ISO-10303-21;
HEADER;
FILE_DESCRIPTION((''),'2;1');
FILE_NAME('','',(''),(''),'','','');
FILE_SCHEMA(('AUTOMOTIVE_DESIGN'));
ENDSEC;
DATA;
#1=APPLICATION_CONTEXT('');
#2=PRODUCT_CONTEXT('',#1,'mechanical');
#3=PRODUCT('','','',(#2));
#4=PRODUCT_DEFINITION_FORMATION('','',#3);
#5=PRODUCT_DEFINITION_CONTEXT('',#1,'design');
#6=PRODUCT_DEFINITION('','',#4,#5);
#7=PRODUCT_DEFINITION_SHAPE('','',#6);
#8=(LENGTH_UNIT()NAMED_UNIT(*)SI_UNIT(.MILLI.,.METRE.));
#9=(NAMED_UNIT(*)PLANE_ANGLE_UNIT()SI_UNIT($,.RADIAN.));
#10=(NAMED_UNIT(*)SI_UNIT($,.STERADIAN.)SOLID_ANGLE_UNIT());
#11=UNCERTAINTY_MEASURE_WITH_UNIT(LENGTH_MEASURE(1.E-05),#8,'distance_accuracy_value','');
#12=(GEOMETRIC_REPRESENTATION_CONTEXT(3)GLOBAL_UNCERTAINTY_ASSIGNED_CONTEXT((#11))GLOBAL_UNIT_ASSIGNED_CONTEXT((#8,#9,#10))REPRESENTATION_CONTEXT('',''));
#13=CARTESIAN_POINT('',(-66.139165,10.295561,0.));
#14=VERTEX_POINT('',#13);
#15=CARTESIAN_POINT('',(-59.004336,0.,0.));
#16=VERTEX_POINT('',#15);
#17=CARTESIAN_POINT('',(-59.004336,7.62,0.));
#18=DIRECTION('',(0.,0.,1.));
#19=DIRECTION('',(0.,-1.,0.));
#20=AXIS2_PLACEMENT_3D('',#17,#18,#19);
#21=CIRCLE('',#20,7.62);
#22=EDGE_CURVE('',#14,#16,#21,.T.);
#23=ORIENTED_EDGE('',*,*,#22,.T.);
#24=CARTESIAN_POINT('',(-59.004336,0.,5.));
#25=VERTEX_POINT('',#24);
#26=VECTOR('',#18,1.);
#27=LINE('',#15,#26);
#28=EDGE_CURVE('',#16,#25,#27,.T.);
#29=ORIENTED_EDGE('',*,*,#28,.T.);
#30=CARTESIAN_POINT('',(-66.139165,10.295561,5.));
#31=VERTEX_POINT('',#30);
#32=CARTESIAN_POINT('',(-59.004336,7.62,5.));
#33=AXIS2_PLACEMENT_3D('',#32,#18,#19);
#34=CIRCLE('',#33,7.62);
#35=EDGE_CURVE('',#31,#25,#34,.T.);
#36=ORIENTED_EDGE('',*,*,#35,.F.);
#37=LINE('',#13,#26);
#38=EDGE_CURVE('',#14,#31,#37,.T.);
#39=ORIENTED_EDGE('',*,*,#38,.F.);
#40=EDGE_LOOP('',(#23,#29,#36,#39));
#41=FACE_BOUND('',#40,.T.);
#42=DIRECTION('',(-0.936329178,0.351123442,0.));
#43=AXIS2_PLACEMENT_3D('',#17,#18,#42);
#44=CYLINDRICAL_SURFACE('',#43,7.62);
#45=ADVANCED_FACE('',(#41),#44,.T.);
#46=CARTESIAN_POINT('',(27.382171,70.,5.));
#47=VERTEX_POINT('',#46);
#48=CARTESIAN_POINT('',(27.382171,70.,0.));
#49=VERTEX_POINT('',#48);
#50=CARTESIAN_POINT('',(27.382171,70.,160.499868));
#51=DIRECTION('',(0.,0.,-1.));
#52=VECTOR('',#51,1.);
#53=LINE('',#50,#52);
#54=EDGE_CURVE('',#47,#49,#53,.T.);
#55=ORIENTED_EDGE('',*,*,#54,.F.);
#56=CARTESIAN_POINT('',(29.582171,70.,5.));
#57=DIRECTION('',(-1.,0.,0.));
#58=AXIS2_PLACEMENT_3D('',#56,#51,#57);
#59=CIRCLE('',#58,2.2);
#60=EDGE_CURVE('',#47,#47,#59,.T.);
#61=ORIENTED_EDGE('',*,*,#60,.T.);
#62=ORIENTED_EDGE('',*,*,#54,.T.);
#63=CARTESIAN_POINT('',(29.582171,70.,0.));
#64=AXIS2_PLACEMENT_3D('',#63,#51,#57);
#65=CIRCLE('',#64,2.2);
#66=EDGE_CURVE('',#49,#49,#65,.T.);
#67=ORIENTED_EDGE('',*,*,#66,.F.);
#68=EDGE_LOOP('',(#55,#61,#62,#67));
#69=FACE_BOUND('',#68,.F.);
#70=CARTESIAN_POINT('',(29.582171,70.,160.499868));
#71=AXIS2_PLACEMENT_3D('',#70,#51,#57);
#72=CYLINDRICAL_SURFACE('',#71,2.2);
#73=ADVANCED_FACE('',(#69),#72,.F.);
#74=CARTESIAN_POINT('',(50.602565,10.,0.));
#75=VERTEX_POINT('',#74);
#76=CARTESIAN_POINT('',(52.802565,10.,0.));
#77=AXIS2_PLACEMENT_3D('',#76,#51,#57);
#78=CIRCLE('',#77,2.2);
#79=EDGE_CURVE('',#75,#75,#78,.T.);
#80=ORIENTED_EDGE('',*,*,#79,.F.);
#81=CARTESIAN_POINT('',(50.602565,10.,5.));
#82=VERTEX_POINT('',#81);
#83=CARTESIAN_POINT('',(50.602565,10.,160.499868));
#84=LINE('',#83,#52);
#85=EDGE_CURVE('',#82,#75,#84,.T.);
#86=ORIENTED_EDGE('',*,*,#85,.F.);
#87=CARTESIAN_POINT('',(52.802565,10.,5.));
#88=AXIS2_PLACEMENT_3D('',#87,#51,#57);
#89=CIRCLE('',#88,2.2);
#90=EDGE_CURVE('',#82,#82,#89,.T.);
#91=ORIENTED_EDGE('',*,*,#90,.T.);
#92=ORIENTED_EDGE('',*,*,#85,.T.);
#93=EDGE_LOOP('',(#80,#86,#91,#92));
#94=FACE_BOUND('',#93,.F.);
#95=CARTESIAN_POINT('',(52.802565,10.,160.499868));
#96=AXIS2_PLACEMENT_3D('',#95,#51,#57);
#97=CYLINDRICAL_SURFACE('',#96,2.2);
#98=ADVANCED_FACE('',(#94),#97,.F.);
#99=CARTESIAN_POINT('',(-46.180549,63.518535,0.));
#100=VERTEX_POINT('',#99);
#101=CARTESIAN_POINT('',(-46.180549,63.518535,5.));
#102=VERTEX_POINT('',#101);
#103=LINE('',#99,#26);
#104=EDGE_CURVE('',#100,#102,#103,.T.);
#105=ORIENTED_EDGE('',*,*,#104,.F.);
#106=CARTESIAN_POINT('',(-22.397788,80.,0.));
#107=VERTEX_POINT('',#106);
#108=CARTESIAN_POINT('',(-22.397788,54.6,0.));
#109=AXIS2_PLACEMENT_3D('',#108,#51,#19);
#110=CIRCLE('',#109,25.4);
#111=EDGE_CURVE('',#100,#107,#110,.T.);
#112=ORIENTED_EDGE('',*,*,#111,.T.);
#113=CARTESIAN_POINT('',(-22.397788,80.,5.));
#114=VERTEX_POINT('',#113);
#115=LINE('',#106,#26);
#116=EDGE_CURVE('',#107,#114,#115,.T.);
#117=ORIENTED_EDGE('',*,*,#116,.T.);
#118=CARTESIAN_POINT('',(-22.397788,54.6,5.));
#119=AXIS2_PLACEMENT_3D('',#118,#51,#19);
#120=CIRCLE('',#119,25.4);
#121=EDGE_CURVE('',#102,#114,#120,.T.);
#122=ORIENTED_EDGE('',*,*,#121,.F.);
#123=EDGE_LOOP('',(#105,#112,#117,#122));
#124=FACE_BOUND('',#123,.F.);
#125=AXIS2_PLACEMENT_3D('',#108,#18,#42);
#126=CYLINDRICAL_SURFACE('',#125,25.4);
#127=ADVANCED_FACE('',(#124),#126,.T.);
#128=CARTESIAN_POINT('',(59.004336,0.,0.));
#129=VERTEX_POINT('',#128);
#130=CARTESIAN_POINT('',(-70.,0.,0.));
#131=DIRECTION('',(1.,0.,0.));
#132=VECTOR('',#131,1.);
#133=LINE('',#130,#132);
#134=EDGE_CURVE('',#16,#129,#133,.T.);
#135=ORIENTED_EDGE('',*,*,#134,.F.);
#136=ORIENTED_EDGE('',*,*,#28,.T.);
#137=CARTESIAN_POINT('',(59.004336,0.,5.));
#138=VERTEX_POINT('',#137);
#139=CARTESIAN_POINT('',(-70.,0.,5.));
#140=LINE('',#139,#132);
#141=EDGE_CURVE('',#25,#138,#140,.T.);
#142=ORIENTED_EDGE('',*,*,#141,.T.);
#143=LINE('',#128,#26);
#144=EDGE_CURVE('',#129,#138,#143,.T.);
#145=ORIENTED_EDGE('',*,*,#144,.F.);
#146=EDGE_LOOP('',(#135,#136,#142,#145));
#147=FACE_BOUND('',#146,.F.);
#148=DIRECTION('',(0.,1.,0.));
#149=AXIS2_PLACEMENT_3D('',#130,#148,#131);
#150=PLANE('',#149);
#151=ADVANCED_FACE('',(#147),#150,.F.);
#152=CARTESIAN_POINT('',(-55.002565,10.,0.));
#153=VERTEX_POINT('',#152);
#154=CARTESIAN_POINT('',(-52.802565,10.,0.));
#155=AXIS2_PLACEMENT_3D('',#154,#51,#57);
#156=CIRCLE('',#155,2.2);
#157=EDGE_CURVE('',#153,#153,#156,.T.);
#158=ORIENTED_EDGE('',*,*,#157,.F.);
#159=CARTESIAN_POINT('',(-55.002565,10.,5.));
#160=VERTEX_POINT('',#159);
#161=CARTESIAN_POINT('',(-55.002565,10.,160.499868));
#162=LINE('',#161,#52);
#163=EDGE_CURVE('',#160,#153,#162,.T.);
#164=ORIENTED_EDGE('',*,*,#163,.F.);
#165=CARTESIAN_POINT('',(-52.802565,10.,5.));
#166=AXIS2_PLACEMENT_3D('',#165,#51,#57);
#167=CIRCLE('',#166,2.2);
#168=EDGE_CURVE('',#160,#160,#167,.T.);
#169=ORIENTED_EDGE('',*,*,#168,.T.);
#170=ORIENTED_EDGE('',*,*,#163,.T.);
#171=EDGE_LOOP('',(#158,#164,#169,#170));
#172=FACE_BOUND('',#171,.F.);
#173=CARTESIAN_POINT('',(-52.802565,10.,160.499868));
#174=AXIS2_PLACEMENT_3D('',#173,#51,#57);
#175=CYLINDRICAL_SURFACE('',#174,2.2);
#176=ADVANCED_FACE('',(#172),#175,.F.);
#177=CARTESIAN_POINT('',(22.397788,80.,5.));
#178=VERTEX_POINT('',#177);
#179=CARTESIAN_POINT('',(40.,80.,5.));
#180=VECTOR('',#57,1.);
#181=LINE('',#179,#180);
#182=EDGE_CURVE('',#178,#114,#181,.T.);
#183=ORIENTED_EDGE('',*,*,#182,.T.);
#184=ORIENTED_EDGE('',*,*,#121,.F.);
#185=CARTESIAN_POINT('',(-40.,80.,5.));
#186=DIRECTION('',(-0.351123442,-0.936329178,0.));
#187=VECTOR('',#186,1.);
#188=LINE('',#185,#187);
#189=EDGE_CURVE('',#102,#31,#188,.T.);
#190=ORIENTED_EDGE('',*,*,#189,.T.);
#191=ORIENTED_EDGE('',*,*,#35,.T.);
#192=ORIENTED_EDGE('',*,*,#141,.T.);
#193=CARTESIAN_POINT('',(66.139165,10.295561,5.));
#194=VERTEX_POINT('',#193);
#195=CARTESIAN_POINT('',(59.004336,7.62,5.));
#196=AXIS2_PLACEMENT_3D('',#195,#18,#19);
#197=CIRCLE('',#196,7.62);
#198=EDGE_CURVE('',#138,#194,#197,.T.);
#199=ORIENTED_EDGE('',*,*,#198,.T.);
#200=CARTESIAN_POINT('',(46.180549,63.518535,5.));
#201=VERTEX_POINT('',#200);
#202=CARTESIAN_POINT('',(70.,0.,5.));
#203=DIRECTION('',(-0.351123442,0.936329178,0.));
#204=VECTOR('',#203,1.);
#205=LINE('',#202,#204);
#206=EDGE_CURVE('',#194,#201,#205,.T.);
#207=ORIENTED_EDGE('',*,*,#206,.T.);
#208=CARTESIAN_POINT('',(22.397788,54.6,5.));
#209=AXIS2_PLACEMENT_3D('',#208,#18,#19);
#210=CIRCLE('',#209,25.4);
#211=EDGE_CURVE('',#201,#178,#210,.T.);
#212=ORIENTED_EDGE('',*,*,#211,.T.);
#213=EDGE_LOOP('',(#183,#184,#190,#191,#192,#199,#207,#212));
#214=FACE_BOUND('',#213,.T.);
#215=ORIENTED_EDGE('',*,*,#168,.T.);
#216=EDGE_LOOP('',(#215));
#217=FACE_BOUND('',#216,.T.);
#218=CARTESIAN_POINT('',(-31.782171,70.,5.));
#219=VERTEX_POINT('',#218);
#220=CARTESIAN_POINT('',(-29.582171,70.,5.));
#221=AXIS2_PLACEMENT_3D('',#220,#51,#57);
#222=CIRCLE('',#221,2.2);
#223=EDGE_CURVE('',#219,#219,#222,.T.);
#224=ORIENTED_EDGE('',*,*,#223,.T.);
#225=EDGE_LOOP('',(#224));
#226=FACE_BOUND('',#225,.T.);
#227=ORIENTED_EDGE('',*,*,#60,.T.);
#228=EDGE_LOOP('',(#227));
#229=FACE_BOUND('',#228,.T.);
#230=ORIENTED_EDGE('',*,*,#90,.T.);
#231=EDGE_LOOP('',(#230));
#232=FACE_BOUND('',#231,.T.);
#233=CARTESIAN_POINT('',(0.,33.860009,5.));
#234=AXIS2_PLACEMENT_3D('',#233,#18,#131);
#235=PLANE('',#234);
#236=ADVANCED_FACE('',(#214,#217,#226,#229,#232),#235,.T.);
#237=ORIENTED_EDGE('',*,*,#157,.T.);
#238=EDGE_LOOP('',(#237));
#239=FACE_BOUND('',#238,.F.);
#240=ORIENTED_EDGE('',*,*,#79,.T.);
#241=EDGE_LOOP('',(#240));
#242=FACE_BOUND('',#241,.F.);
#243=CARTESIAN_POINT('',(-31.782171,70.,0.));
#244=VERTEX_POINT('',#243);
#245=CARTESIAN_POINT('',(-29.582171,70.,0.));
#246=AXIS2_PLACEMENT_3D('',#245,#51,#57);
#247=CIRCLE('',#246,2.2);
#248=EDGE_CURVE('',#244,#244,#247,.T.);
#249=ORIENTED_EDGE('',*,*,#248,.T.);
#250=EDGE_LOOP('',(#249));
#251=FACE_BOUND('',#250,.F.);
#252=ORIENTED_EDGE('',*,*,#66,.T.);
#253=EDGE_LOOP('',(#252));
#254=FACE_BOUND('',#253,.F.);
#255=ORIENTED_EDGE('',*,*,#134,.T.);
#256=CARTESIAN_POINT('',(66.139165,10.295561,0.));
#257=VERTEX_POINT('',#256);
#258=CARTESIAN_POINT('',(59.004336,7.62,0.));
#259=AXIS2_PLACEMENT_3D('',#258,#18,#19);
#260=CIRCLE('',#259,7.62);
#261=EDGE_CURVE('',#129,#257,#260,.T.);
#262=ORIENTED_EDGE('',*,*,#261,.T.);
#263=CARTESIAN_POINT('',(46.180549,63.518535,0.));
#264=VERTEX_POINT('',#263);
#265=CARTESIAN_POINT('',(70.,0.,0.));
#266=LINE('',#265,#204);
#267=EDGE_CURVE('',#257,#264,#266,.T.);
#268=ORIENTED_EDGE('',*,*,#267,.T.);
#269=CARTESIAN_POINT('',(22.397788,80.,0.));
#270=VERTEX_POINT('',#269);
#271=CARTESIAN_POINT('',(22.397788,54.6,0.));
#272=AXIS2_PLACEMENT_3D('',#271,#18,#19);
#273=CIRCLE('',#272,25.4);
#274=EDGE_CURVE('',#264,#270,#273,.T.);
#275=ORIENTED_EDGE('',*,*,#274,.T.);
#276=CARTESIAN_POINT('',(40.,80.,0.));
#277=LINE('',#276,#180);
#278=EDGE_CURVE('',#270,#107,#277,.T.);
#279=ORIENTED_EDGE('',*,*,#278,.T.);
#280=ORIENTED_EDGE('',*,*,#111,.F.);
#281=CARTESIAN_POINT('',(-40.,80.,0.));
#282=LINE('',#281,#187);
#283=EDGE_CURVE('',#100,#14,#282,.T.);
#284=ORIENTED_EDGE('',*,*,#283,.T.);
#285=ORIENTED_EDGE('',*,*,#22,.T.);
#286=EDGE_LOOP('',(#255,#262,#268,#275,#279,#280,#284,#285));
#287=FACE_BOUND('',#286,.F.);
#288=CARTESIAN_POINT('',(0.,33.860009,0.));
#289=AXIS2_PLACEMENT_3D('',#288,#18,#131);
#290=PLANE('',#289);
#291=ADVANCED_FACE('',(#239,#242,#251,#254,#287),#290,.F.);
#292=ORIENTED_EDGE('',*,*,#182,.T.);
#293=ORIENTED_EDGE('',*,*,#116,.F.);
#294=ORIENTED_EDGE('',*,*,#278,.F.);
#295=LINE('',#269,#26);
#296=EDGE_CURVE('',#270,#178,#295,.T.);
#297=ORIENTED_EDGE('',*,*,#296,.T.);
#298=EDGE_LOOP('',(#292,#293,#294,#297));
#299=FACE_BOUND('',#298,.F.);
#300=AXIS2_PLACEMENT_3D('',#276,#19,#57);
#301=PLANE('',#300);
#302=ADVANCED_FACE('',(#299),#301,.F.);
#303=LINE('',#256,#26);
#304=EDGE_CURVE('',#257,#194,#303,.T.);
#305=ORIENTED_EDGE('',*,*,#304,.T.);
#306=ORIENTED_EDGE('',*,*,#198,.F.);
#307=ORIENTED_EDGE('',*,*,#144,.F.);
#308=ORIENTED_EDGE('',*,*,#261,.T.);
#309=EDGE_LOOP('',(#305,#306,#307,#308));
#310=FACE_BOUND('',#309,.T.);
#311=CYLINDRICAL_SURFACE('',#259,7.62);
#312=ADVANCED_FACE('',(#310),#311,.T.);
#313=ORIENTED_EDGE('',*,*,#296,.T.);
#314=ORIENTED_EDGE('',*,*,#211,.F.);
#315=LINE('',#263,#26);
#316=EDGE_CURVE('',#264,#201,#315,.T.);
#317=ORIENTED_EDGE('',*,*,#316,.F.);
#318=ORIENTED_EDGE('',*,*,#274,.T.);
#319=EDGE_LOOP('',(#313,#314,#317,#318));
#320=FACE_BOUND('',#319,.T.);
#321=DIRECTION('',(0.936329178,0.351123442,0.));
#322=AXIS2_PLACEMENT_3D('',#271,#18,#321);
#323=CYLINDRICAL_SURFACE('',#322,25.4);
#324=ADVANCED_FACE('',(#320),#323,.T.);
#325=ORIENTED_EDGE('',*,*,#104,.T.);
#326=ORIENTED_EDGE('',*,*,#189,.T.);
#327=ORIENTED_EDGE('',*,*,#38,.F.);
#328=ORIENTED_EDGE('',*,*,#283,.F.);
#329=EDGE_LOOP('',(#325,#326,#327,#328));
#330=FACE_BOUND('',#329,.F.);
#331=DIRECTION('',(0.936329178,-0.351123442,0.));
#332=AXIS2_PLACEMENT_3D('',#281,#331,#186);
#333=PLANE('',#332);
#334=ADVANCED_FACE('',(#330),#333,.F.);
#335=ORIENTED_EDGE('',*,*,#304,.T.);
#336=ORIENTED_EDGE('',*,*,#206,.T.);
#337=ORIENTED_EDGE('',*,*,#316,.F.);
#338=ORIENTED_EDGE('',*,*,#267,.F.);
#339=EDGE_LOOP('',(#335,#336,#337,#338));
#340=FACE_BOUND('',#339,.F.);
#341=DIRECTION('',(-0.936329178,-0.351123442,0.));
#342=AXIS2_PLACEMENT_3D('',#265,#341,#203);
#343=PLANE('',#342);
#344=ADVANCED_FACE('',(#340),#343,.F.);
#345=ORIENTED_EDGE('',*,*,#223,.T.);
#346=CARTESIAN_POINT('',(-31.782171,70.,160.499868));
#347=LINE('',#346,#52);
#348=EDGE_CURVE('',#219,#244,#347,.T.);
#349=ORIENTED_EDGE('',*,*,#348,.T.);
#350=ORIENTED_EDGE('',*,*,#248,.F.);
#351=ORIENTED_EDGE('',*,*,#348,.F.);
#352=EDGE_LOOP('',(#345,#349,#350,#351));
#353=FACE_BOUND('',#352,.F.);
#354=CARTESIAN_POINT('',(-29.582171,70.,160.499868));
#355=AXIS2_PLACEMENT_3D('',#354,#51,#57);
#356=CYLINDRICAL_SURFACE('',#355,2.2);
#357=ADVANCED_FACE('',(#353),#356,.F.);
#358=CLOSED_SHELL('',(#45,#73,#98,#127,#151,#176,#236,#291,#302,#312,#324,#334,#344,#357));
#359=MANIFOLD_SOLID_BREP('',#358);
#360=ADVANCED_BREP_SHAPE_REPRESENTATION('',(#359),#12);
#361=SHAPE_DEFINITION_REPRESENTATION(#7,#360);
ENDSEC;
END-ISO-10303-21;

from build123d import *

# Parameters (mm, degrees)
F1_DEPTH = 5
F2_R     = 25.4
F3_R     = 7.62
F5_D     = 4.4


with BuildPart() as f1:
    # F0 (on Top) → F1 (new body)
    with BuildSketch(Plane.XY):
        Polygon((-40, 80), (-70, 0), (70, 0), (40, 80), align=None)
    extrude(amount=F1_DEPTH)

    # F2
    f2_edges = [f1.edges().sort_by_distance(p)[0] for p in [
        (-40, 80, 2.5),
        (40, 80, 2.5),
    ]]
    fillet(f2_edges, radius=F2_R)

    # F3
    f3_edges = [f1.edges().sort_by_distance(p)[0] for p in [
        (-70, 0, 2.5),
        (70, 0, 2.5),
    ]]
    fillet(f3_edges, radius=F3_R)

    # F5 (through all)
    with Locations(Plane.XY.offset(5)):
        with Locations((-29.5821707696, 70), (29.5821707696, 70), (52.8025653534, 10), (-52.8025653534, 10)):
            Hole(F5_D / 2)


solid = f1.part
